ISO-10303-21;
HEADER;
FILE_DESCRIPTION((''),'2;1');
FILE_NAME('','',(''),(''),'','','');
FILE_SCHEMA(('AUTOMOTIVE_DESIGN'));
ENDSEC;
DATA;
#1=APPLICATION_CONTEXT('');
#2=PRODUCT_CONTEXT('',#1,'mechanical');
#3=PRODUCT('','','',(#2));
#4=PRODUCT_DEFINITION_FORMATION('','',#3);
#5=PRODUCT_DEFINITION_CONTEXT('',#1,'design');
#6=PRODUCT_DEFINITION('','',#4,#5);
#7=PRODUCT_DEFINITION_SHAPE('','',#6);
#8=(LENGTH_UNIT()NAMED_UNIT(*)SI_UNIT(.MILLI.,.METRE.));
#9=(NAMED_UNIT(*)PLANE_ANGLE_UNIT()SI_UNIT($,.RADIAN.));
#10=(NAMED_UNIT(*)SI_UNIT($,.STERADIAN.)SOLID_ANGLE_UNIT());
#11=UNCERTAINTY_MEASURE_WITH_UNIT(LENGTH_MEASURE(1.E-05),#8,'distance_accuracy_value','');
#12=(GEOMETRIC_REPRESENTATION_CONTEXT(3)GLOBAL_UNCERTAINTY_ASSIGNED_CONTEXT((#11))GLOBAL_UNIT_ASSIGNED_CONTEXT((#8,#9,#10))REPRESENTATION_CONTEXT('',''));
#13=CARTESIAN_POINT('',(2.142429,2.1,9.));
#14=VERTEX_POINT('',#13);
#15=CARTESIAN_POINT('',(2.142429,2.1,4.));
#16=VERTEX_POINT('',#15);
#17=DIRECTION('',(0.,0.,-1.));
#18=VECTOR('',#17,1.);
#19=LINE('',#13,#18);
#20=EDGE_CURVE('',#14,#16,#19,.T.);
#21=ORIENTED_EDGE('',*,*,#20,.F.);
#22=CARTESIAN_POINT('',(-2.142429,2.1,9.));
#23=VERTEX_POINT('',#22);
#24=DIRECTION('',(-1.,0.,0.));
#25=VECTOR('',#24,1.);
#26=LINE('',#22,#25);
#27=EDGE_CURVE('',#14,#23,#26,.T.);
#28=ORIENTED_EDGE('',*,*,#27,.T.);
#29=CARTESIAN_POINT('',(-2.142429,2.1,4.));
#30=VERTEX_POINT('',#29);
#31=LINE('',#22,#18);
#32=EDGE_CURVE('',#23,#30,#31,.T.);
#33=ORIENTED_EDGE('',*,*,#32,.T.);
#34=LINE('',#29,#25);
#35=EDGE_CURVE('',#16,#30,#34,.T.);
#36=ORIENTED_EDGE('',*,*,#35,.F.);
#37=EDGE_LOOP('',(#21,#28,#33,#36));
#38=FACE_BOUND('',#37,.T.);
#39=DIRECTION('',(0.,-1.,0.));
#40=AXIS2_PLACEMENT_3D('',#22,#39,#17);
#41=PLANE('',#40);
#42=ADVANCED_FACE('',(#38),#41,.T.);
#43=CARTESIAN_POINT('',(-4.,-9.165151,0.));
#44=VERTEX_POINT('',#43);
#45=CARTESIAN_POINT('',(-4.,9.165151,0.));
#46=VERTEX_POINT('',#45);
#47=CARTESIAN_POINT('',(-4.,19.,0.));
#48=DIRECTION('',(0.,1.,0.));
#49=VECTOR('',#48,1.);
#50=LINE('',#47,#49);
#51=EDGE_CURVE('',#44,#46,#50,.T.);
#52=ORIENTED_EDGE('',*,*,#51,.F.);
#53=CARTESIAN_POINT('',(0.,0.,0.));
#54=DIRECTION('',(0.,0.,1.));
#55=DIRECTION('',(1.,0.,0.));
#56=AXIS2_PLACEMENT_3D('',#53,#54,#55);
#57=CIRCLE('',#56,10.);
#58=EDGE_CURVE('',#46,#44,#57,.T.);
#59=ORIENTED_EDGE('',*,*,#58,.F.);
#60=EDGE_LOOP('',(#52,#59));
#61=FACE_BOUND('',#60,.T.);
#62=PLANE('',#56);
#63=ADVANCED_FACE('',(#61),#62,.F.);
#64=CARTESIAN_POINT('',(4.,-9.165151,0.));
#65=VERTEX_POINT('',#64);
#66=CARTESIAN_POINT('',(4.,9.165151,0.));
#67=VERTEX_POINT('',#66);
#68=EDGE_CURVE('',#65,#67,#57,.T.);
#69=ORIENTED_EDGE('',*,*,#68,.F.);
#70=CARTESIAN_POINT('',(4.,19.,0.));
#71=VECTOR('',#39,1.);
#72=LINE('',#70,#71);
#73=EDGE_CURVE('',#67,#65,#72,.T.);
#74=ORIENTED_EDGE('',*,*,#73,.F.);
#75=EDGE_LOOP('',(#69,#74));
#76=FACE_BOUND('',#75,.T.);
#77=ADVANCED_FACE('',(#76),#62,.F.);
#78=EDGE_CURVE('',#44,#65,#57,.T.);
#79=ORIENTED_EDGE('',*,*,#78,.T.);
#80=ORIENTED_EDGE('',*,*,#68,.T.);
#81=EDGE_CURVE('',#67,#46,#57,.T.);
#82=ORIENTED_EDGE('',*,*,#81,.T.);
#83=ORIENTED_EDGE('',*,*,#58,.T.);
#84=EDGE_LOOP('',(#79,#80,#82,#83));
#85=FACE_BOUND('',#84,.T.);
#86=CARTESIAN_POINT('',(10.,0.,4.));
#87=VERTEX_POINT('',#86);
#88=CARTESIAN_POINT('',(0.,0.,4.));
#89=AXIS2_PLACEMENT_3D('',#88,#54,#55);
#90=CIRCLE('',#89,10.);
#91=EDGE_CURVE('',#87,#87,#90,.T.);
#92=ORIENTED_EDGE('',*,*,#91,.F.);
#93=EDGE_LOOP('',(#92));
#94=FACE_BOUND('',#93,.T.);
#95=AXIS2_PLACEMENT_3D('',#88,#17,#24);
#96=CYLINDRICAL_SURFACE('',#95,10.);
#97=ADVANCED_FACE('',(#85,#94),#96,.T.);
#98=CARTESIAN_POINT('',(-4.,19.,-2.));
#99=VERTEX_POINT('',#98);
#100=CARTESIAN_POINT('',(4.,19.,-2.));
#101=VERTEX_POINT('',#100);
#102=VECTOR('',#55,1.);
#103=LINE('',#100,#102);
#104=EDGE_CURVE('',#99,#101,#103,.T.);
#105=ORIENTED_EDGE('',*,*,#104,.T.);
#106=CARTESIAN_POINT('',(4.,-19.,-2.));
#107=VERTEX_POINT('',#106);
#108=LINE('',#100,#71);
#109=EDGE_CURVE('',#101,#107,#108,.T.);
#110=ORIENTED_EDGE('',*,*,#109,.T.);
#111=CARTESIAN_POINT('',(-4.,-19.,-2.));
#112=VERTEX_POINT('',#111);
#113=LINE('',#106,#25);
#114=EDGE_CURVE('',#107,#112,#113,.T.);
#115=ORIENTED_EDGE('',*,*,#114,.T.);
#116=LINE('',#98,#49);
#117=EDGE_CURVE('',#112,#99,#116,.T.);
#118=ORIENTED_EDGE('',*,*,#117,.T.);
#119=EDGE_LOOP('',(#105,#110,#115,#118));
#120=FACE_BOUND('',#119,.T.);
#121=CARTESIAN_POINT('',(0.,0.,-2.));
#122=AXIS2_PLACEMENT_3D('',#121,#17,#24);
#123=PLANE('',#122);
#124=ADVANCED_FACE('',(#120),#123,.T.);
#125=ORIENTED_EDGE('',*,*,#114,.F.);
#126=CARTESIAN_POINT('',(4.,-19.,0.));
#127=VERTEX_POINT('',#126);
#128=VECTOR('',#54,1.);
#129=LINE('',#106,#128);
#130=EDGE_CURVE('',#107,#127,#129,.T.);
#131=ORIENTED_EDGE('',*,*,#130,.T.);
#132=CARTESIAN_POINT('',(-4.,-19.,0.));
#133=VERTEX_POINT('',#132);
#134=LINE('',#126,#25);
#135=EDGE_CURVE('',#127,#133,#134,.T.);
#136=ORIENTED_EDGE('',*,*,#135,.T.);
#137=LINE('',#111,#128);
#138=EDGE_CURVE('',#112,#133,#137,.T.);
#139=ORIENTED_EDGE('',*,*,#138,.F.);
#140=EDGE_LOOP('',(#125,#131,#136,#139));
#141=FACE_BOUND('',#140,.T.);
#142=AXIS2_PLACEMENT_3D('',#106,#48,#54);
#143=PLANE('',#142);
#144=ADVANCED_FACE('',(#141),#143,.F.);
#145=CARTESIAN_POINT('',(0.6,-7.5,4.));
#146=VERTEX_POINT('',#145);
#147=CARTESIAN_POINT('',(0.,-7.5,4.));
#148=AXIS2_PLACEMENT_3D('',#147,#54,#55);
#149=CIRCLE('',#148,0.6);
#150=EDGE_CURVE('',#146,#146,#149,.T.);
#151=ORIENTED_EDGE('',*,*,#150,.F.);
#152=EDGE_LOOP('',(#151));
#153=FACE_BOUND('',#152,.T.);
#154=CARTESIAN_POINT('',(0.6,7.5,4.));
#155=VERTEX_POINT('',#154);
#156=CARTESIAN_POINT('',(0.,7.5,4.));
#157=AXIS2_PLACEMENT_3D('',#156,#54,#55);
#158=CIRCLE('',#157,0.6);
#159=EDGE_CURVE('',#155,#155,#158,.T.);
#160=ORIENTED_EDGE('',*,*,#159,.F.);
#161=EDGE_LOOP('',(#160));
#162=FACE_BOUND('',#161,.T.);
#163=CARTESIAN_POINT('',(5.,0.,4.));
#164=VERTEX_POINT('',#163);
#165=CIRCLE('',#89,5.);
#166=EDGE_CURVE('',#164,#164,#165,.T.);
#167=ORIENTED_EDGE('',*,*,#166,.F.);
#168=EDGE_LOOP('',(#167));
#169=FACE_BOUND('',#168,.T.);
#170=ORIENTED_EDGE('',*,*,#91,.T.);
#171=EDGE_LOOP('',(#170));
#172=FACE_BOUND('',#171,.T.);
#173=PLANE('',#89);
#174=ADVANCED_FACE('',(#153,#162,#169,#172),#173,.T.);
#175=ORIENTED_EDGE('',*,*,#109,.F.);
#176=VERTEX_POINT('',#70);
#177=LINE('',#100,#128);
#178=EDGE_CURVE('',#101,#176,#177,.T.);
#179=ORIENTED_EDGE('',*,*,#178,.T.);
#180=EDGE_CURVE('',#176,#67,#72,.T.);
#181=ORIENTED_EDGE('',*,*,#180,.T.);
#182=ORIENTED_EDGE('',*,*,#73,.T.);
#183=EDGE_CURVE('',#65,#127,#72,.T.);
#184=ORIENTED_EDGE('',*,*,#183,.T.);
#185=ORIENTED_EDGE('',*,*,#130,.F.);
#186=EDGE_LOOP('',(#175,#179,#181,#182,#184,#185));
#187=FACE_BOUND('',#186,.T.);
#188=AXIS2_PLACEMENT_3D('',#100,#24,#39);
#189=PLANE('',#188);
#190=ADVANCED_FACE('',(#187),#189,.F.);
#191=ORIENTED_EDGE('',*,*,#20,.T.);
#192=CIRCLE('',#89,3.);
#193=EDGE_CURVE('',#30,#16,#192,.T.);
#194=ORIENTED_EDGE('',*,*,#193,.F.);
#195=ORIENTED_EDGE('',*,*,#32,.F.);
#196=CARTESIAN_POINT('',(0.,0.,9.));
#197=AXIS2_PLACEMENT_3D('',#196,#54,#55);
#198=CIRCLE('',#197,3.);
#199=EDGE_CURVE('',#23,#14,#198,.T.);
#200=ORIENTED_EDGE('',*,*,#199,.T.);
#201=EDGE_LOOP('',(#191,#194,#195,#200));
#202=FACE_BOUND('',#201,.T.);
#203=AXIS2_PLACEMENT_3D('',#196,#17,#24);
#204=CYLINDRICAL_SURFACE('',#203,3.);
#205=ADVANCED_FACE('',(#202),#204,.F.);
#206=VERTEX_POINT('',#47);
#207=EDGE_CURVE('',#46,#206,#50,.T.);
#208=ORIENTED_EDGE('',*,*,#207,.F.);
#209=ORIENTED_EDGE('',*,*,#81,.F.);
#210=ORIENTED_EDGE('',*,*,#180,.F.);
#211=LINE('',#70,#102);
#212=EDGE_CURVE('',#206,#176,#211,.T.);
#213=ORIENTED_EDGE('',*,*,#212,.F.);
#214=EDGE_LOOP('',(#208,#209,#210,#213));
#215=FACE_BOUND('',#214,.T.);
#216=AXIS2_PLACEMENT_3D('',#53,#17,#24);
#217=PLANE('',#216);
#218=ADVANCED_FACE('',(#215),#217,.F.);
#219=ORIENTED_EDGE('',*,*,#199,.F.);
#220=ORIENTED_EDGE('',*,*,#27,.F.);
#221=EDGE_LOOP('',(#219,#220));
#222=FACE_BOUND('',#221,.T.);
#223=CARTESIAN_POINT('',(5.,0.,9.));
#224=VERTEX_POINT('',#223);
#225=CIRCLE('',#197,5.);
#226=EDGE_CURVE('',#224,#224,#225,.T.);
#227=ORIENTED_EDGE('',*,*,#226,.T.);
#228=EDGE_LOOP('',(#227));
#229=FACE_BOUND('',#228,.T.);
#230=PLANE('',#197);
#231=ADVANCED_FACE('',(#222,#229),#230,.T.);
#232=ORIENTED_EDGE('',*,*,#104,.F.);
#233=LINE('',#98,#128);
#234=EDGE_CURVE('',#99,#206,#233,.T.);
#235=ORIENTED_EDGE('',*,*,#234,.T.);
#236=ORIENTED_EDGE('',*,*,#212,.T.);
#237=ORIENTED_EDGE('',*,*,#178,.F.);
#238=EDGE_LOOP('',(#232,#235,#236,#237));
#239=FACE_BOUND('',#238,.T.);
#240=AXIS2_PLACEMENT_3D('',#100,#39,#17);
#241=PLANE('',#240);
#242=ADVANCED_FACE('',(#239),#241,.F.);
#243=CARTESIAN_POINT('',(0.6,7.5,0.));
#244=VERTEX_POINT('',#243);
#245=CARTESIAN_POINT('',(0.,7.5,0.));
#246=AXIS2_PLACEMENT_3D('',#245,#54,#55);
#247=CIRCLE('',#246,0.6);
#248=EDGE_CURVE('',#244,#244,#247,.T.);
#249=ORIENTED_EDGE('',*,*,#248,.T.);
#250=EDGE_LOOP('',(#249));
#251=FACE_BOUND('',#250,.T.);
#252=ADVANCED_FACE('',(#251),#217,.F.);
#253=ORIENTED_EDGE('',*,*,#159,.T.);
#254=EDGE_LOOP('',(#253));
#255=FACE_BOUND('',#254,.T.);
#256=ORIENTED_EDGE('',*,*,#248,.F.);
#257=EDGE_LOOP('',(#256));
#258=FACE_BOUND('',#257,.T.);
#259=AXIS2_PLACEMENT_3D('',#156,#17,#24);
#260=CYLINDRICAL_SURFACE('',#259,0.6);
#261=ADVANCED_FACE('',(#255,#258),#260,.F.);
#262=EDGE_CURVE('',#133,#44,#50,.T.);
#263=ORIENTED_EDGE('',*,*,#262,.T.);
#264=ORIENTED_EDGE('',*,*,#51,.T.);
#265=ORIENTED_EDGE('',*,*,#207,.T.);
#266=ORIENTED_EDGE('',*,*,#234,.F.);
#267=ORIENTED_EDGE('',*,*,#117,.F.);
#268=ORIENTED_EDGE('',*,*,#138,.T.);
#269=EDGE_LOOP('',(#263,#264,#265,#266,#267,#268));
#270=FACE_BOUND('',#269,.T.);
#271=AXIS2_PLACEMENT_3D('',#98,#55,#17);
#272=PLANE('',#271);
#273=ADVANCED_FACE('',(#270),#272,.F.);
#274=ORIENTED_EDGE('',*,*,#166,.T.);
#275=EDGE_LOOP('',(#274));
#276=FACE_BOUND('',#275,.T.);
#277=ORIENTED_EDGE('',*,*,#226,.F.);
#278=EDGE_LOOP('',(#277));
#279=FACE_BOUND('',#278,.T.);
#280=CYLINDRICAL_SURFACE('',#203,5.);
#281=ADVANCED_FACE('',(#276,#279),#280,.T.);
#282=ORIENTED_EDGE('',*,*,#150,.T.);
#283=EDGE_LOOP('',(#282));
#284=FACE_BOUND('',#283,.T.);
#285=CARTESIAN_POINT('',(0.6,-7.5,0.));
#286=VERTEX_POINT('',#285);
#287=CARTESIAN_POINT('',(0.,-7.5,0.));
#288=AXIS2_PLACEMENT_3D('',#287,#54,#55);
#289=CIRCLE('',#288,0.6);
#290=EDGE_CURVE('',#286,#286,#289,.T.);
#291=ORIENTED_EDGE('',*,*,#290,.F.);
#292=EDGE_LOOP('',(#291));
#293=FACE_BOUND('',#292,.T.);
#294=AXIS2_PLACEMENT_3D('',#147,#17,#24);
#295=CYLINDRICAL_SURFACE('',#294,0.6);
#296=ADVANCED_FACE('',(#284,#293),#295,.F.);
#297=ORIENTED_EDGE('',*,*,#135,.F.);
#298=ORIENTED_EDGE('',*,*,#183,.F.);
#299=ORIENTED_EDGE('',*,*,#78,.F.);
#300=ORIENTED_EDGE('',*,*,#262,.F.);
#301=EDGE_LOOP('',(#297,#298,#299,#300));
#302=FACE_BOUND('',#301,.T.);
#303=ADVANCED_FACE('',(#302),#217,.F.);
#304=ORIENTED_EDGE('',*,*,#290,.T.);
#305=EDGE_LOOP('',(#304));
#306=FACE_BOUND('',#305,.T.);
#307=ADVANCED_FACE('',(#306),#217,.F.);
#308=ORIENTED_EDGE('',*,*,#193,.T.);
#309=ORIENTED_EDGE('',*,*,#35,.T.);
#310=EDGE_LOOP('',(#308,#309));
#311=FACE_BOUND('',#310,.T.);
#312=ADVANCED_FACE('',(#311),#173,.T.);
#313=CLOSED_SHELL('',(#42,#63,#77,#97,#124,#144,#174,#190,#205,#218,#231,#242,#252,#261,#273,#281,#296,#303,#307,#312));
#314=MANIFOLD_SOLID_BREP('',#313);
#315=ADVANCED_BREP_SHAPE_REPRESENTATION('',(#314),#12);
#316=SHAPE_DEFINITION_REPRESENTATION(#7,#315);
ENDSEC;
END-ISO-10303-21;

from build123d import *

# Parameters (mm, degrees)
ESQUISSE1_R        = 10
ESQUISSE1_R_2      = 0.6
BOSS_EXTRU_1_DEPTH = 4
ESQUISSE3_R        = 5
BOSS_EXTRU_2_DEPTH = 5
ESQUISSE4_W        = 8
ESQUISSE4_H        = 38
BOSS_EXTRU_3_DEPTH = 2


with BuildPart() as part:
    # Esquisse1 → Boss.-Extru.1 (new body)
    with BuildSketch(Plane.XY):
        Circle(ESQUISSE1_R)
        with Locations((0, -7.5)):
            Circle(ESQUISSE1_R_2, mode=Mode.SUBTRACT)
        with Locations((0, 7.5)):
            Circle(ESQUISSE1_R_2, mode=Mode.SUBTRACT)
    extrude(amount=BOSS_EXTRU_1_DEPTH)

    # Esquisse3 → Boss.-Extru.2 (add)
    with BuildSketch(Plane.XY.offset(4)):
        Circle(ESQUISSE3_R)
        with BuildLine():
            Line((-2.142428529, 2.1), (2.142428529, 2.1))
            ThreePointArc((2.142428529, 2.1), (0, -3), (-2.142428529, 2.1))
        make_face(mode=Mode.SUBTRACT)
    extrude(amount=BOSS_EXTRU_2_DEPTH)

    # Esquisse4 → Boss.-Extru.3 (add)
    with BuildSketch(Plane(origin=(0, 0, 0), x_dir=(-1, 0, 0), z_dir=(0, 0, -1))):
        Rectangle(ESQUISSE4_W, ESQUISSE4_H)
    extrude(amount=BOSS_EXTRU_3_DEPTH)


solid = part.part
